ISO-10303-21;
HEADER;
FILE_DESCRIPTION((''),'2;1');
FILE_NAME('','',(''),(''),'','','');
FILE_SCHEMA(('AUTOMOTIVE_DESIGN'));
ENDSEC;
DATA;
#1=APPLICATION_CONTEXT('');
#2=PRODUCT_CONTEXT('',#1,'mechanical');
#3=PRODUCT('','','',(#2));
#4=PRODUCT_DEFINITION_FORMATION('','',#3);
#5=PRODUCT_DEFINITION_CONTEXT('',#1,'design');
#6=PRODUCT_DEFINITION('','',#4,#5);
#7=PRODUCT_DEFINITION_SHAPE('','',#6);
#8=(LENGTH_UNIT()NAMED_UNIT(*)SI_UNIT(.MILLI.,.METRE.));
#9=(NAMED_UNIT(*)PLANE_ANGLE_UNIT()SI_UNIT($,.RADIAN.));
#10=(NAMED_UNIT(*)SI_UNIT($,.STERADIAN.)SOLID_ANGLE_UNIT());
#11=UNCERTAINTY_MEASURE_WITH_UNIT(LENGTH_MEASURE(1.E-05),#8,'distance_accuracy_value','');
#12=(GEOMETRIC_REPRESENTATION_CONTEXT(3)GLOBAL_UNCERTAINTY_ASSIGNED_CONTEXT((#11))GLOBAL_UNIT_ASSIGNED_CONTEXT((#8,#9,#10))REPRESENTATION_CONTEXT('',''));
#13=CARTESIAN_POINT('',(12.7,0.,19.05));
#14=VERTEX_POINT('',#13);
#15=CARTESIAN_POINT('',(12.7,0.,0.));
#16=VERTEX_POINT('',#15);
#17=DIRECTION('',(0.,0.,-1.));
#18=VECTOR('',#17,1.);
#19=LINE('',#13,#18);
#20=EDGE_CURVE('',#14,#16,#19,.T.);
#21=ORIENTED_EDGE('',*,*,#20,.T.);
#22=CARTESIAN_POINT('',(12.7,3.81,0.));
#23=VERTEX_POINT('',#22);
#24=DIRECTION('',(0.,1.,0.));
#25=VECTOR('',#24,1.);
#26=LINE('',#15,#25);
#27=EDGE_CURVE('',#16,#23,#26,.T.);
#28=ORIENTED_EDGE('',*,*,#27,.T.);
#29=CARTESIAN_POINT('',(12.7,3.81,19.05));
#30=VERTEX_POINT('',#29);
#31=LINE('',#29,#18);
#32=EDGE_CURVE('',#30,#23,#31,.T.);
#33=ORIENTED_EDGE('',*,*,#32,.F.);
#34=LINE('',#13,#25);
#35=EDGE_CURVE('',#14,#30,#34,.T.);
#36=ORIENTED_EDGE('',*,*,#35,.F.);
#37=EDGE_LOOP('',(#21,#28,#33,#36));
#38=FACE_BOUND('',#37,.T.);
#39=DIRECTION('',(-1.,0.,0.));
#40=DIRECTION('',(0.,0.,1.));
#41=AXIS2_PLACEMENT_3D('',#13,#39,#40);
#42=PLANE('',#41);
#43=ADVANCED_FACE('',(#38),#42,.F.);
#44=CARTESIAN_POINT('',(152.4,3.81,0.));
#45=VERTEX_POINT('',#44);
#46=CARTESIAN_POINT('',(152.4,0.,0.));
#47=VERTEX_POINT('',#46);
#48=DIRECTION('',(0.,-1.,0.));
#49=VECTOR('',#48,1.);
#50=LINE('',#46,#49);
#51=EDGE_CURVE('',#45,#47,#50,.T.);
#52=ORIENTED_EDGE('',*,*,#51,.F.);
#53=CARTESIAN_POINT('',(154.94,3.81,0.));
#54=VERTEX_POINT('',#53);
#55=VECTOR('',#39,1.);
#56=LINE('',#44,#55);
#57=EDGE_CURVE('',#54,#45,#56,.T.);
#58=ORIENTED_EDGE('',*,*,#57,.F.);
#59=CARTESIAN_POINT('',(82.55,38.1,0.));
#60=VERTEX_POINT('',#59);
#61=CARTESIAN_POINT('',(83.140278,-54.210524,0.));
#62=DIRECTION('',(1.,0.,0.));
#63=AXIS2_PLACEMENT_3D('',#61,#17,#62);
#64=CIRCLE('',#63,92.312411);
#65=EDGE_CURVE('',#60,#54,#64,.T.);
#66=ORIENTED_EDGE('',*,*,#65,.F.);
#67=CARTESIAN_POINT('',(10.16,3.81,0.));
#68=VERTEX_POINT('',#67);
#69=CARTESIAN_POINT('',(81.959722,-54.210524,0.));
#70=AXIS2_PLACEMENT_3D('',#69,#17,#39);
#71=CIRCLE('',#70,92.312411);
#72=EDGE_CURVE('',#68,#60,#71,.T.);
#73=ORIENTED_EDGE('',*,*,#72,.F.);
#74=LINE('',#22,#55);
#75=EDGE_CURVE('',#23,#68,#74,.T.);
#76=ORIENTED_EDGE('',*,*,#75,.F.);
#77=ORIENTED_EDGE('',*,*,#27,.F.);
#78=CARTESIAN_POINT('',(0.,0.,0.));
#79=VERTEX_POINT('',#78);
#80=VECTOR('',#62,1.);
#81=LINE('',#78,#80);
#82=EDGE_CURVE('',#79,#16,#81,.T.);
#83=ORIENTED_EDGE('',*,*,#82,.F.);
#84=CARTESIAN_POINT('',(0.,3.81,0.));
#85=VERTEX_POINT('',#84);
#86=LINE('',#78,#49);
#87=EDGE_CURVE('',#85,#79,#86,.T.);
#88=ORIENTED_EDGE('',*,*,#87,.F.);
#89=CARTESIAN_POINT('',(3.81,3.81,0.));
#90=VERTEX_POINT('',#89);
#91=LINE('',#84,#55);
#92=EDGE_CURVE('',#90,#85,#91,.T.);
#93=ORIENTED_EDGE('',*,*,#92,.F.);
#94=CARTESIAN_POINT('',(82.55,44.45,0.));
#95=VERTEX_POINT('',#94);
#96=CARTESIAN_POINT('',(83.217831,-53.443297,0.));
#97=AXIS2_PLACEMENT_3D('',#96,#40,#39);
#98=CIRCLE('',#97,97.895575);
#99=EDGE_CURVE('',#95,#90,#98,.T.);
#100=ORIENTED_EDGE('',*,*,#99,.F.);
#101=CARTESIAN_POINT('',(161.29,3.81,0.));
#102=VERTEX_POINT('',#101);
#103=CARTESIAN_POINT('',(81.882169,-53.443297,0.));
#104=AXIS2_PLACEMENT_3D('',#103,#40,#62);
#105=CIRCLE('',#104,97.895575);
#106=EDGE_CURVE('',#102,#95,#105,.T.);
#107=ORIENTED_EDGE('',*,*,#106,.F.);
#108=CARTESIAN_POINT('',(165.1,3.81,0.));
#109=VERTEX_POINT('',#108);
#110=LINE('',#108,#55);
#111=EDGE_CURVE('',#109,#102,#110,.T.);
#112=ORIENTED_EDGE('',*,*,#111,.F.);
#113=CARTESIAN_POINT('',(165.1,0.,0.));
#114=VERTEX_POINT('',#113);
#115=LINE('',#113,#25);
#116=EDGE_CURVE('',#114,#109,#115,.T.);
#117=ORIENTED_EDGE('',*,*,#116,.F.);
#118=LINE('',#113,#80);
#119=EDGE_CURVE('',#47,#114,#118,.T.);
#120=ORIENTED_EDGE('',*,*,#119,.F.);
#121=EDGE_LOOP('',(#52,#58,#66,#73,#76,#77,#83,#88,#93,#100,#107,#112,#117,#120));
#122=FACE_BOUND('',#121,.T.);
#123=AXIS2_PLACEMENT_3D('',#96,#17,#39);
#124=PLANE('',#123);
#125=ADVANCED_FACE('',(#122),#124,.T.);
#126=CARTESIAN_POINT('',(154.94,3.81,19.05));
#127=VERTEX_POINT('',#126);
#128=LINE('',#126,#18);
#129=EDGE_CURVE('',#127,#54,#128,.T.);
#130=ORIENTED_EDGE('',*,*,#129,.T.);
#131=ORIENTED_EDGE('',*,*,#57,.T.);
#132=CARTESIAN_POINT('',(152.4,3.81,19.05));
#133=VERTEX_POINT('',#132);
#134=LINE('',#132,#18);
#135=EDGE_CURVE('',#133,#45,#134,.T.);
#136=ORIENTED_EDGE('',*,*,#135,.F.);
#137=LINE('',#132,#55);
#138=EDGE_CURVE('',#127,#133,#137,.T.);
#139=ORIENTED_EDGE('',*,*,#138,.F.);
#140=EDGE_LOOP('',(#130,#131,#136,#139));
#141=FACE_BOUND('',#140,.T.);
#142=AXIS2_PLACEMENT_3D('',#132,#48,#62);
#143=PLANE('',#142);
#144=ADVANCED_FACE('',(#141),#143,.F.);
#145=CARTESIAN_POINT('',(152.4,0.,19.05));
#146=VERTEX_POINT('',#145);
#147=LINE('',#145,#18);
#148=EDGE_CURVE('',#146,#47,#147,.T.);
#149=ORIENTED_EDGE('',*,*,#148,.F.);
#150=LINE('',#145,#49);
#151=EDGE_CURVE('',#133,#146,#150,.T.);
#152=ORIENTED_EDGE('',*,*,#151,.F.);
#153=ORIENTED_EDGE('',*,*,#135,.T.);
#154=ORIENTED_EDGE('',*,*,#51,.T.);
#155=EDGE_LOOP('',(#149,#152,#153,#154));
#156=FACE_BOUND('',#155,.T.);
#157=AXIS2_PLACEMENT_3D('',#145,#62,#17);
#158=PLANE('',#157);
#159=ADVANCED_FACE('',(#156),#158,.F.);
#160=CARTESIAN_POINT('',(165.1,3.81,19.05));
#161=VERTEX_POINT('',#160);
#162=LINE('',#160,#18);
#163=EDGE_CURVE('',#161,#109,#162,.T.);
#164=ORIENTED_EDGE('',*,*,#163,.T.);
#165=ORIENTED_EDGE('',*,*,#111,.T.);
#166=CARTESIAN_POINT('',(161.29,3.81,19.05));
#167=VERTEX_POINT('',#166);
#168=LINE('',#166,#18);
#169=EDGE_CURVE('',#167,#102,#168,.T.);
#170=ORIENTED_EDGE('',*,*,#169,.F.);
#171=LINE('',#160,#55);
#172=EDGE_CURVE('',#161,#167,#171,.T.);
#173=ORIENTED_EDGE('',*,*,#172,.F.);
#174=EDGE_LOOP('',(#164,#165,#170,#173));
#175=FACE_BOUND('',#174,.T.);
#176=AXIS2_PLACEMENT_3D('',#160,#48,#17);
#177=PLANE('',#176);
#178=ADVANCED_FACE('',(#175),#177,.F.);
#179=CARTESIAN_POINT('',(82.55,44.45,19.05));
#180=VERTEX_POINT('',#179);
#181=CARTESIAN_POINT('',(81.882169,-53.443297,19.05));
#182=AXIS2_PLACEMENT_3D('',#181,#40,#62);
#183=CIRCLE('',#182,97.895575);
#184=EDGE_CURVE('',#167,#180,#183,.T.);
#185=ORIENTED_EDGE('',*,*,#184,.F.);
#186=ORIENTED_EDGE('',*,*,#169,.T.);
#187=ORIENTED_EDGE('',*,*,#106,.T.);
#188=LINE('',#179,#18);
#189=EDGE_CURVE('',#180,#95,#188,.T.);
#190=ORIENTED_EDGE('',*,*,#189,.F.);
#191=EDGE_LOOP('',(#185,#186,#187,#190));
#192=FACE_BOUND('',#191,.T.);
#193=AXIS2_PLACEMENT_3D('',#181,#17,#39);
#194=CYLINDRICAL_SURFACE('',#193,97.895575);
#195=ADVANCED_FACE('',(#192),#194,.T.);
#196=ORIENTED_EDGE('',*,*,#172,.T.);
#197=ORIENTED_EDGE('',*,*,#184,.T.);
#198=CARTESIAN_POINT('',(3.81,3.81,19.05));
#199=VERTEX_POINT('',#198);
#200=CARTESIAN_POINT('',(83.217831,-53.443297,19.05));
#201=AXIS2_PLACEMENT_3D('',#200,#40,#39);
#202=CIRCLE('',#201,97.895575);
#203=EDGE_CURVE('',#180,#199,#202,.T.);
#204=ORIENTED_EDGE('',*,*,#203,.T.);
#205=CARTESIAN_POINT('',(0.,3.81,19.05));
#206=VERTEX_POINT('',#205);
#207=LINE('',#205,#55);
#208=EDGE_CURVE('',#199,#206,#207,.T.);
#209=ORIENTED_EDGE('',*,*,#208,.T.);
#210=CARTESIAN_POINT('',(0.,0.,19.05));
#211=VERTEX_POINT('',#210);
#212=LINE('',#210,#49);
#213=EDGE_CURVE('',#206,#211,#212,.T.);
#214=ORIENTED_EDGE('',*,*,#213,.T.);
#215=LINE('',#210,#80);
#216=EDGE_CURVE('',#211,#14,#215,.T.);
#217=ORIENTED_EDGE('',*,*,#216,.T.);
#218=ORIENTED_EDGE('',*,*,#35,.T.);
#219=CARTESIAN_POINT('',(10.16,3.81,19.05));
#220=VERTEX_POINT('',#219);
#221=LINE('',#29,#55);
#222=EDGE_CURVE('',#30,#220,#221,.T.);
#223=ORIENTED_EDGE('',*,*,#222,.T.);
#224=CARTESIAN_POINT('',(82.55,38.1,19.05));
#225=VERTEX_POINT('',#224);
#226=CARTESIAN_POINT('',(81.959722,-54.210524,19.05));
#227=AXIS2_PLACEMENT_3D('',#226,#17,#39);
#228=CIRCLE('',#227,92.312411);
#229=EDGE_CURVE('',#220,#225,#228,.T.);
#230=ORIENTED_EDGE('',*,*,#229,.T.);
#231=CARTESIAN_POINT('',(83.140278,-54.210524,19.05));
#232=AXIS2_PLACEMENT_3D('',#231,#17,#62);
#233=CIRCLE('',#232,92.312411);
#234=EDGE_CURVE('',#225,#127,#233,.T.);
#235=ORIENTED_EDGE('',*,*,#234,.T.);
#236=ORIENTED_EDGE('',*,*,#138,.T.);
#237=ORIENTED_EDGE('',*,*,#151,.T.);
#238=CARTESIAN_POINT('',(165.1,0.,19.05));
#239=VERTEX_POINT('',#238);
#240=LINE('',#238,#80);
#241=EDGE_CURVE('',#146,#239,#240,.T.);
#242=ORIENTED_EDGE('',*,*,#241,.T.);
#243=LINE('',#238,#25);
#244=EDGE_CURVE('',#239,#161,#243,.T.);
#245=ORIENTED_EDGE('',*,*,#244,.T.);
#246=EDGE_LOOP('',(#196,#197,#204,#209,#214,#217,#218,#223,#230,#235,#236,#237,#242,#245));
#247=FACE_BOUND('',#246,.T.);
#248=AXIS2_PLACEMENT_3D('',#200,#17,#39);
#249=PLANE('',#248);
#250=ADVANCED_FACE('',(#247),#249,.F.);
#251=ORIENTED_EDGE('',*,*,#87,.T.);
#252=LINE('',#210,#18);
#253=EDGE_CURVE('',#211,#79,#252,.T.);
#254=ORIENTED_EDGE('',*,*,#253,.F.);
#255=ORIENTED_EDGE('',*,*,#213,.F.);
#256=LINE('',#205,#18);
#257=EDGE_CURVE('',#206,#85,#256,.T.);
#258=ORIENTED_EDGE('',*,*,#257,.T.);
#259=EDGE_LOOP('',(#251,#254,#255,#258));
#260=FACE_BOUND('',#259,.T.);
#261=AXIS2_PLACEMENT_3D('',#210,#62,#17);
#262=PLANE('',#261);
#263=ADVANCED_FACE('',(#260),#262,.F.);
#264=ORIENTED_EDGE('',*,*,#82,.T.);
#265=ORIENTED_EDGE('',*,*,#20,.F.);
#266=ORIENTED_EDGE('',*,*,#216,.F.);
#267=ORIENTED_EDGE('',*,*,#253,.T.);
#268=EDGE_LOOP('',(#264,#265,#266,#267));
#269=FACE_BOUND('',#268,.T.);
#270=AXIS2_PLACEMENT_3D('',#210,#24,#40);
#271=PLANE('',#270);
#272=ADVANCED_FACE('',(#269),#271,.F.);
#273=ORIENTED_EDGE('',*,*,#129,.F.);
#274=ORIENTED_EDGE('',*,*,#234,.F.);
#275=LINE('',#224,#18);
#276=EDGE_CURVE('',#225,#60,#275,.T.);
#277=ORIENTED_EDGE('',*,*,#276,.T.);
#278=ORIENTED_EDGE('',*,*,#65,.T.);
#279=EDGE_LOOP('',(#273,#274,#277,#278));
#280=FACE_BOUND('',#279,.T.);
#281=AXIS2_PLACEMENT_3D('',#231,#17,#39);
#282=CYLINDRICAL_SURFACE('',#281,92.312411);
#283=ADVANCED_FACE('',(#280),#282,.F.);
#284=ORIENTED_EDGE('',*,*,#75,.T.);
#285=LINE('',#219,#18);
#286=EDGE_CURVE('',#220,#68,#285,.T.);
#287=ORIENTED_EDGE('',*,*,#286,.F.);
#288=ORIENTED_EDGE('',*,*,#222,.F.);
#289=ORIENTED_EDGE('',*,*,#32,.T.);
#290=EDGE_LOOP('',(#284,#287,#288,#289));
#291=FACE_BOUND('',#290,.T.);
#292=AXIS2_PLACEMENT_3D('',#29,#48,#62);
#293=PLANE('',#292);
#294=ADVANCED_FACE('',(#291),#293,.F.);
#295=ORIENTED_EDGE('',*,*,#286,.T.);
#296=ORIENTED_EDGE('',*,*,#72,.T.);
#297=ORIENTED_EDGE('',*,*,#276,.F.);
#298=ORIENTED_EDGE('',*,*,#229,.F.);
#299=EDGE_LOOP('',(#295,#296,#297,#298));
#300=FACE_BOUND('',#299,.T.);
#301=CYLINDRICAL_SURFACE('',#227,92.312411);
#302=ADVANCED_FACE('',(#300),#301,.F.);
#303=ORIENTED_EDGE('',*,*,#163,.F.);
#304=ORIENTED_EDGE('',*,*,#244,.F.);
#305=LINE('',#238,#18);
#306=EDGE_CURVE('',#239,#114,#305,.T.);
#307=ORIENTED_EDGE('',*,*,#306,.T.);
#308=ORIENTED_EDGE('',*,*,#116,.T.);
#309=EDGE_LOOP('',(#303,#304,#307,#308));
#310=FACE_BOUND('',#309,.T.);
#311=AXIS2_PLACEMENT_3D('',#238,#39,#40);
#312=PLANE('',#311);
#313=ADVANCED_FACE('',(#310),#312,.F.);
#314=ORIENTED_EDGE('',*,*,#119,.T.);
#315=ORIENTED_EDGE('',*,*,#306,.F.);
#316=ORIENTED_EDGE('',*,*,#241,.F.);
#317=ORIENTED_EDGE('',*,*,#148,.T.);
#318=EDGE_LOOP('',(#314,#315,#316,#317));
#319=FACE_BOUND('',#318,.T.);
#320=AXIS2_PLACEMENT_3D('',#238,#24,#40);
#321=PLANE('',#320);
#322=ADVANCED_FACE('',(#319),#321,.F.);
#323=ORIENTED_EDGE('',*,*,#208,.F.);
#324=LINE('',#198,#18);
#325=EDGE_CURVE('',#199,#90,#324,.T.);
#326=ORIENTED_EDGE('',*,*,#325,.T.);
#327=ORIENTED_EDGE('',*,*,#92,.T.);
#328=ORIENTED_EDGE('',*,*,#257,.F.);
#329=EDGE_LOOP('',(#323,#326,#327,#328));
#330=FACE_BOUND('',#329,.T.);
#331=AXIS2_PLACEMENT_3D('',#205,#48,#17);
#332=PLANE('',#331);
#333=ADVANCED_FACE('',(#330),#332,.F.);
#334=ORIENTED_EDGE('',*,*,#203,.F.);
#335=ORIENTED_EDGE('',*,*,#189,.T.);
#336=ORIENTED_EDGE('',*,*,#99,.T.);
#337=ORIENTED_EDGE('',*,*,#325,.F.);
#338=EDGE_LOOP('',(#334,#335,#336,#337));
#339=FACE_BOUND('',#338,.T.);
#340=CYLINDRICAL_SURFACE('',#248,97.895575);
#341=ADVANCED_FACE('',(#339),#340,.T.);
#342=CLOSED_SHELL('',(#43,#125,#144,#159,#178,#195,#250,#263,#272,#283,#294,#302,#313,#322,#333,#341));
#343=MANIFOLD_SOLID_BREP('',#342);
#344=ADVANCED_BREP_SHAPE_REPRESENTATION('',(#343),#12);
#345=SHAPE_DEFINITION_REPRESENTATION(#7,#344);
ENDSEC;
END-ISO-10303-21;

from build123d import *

# Parameters (mm, degrees)
BOSS_EXTRUDE1_DEPTH = 19.05


with BuildPart() as part:
    # Sketch1 → Boss-Extrude1 (new body)
    with BuildSketch(Plane.XY):
        with BuildLine():
            Line((0, 0), (12.7, 0))
            Line((12.7, 0), (12.7, 3.81))
            Line((12.7, 3.81), (10.16, 3.81))
            ThreePointArc((10.16, 3.81), (42.442039197, 29.215695028), (82.55, 38.1))
            ThreePointArc((82.55, 38.1), (122.657960803, 29.215695028), (154.94, 3.81))
            Line((154.94, 3.81), (152.4, 3.81))
            Line((152.4, 3.81), (152.4, 0))
            Line((152.4, 0), (165.1, 0))
            Line((165.1, 0), (165.1, 3.81))
            Line((165.1, 3.81), (161.29, 3.81))
            ThreePointArc((161.29, 3.81), (126.781281636, 33.54873317), (82.55, 44.45))
            ThreePointArc((82.55, 44.45), (38.318718364, 33.54873317), (3.81, 3.81))
            Line((3.81, 3.81), (0, 3.81))
            Line((0, 3.81), (0, 0))
        make_face()
    extrude(amount=BOSS_EXTRUDE1_DEPTH)


solid = part.part
